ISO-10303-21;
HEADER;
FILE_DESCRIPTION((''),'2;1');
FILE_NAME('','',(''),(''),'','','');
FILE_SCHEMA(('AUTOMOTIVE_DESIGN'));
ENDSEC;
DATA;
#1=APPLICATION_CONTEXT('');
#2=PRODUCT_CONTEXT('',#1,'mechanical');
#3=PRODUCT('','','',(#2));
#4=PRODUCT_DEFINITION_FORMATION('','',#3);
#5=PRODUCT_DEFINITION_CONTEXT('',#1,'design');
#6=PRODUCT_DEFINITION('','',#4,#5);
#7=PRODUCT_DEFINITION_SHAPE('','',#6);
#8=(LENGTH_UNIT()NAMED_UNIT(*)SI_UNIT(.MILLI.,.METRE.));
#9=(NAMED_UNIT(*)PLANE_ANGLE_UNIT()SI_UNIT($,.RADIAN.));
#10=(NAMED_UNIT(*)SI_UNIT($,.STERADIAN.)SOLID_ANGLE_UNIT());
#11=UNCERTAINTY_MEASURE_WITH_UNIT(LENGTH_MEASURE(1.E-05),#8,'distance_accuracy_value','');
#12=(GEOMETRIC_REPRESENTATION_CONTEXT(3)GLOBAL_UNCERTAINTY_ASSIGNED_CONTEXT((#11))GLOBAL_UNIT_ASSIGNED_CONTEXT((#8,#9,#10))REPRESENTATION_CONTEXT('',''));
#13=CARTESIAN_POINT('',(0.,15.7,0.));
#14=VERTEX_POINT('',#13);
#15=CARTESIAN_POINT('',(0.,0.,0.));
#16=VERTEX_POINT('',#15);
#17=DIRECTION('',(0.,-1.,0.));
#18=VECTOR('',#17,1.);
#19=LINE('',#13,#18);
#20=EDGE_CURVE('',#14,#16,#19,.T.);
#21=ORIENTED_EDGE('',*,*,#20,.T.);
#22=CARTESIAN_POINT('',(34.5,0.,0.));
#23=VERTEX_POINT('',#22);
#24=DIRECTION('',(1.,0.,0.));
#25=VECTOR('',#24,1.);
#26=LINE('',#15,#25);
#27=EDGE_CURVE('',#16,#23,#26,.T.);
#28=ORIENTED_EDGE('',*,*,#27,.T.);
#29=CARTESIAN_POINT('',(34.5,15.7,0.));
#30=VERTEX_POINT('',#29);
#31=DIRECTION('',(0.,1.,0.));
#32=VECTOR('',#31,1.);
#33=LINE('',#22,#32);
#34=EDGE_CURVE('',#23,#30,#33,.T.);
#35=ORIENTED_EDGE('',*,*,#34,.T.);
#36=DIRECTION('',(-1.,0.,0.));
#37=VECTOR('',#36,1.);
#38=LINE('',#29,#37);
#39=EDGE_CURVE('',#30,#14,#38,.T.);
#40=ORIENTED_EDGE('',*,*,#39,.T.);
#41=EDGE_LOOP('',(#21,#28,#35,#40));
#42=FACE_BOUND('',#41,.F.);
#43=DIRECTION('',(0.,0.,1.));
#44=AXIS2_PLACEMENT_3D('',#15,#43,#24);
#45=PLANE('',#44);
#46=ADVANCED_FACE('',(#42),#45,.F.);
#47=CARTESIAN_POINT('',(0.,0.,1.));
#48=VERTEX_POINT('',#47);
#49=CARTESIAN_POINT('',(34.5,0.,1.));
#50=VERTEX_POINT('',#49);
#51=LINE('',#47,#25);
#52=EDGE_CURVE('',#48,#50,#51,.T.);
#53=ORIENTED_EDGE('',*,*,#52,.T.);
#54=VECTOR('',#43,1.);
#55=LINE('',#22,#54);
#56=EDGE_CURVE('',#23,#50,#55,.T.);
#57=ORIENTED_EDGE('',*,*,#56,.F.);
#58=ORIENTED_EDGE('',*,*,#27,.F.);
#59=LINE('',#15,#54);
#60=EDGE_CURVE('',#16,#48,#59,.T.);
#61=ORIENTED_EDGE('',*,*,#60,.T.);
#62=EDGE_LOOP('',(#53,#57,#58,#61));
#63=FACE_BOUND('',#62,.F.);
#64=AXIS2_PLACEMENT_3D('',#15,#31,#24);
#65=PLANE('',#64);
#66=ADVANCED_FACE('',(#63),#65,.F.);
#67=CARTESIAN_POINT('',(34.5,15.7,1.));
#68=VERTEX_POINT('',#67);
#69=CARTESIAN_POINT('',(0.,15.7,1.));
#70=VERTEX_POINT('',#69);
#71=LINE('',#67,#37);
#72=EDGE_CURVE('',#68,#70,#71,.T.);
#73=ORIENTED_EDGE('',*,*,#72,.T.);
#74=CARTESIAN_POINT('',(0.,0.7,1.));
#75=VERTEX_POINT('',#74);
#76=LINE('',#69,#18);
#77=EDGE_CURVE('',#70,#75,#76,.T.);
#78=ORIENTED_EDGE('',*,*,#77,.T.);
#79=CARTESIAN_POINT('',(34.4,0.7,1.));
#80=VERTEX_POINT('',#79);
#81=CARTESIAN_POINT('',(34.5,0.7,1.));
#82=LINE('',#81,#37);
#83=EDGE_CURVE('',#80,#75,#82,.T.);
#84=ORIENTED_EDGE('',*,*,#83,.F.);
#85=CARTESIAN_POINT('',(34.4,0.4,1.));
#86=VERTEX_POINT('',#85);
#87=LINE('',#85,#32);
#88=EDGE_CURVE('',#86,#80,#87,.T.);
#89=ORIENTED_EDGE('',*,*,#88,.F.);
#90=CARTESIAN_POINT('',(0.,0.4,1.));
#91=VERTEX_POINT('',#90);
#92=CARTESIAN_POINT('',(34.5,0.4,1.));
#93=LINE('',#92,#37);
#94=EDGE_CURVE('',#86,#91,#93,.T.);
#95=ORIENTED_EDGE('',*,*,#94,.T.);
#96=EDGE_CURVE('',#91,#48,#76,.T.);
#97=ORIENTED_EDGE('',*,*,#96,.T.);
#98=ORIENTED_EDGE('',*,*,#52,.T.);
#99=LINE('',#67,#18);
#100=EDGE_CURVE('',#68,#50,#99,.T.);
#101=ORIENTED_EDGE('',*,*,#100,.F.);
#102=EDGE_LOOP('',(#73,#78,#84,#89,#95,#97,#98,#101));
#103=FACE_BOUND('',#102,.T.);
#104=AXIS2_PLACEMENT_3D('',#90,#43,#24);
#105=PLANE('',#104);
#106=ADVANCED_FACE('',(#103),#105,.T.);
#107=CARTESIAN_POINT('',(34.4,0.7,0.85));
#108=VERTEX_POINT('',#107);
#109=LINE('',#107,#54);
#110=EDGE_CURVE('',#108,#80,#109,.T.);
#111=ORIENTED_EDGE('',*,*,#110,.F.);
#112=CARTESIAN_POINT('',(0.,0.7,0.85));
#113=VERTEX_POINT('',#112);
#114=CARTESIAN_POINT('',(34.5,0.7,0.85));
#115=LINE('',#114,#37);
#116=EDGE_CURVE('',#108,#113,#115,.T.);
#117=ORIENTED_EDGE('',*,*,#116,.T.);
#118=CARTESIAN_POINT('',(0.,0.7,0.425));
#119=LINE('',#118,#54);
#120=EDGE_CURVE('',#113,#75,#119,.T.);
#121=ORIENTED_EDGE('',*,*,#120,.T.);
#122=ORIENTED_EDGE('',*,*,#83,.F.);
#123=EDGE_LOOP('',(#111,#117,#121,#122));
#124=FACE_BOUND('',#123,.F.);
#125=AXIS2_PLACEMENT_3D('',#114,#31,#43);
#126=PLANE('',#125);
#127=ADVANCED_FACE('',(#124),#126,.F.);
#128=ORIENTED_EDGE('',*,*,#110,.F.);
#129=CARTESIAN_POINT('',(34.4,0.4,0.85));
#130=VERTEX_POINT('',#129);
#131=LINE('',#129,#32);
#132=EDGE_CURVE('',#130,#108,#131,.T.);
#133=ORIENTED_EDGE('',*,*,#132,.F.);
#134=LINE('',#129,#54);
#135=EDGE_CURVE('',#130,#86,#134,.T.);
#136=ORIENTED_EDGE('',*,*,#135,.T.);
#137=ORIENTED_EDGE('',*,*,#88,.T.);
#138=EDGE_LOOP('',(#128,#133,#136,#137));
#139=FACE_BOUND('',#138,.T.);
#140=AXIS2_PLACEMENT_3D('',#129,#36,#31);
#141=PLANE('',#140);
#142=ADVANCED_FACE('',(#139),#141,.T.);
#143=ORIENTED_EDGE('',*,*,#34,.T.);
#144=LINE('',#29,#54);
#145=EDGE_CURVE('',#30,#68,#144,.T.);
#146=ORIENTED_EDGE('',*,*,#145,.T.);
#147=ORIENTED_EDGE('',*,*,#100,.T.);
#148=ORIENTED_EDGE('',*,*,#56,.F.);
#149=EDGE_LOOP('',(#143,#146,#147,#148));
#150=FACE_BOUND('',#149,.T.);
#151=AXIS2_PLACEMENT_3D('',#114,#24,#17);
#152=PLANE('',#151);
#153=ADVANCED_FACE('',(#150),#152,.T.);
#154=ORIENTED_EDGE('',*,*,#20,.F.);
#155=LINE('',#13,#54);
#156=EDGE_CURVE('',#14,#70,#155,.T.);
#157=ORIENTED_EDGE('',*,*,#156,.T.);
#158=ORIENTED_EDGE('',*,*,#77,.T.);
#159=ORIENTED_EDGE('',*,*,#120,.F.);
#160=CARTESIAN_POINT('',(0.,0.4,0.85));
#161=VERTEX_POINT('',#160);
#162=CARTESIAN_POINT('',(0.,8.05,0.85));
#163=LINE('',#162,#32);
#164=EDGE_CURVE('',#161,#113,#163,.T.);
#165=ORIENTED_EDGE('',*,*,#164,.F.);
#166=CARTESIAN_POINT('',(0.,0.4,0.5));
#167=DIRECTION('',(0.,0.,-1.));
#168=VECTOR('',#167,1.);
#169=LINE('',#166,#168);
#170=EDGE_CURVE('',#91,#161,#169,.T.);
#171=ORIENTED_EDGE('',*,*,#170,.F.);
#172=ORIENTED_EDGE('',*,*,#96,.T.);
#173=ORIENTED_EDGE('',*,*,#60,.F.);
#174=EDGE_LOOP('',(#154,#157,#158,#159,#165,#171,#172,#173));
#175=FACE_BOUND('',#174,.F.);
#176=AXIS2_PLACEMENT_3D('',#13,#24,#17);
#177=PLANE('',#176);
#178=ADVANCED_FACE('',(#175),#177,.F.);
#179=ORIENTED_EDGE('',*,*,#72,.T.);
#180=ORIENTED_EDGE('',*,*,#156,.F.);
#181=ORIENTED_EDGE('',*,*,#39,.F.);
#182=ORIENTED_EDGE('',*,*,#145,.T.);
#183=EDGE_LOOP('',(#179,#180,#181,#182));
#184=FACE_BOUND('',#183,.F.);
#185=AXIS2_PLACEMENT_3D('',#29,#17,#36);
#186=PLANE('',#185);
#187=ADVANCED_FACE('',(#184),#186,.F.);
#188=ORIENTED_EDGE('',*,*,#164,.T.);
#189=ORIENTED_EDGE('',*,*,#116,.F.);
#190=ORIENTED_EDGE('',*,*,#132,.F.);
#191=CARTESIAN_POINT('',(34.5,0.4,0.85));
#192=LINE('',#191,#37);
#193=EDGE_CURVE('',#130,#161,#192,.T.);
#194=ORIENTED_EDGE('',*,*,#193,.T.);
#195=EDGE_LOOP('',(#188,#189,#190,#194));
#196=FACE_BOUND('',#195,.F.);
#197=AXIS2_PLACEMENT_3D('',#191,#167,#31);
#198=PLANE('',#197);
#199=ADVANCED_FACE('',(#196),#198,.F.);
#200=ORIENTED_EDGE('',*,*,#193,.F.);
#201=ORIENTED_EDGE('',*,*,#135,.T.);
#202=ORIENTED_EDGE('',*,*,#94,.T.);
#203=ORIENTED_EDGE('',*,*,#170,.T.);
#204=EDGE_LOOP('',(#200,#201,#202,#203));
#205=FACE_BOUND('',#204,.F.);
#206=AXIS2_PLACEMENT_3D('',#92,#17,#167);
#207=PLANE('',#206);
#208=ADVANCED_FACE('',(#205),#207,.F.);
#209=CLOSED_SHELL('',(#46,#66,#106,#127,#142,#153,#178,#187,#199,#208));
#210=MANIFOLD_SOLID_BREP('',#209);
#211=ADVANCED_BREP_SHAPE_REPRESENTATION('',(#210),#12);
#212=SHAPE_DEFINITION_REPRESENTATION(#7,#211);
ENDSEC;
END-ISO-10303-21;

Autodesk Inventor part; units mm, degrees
ref_plane "YZ Plane" through (0, 0, 0) normal (1, 0, 0) x (0, 1, 0)
ref_plane "XZ Plane" through (0, 0, 0) normal (0, 1, 0) x (-1, 0, 0)
ref_plane "XY Plane" through (0, 0, 0) normal (0, 0, 1) x (1, 0, 0)
sketch "Sketch1" plane through (0, 0, 0) normal (0, 0, 1) x (1, 0, 0)
  line L0 (0, 0) -> (34.5, 0)
  line L1 (34.5, 0) -> (34.5, 15.7)
  line L2 (34.5, 15.7) -> (0, 15.7)
  line L3 (0, 15.7) -> (0, 0)
  dimension "d0" = 34.5
  dimension "d1" = 15.7
extrude "Extrusion1" add sketch "Sketch1" along normal blind 1
sketch "Sketch3" plane through (34.5, 0, 0) normal (1, 0, 0) x (0, 0, -1)
  line L0 (-1, 15.7) -> (-1, 0) projected
  line L1 (-1, 0.4) -> (-0.85, 0.4)
  line L2 (-0.85, 0.4) -> (-0.85, 0.7)
  line L3 (-0.85, 0.7) -> (-1, 0.7)
  line L4 (-1, 0.7) -> (-1, 0.4)
  line L5 (0, 0) -> (-1, 0) projected
  dimension "d8" = 0.15
  dimension "d9" = 0.3
  dimension "d12" = 0.4
extrude "Extrusion3" cut sketch "Sketch3" against normal through all
sketch "Sketch4" plane through (0, 0.4, 0.85) normal (0, 0, 1) x (1, 0, 0)
  line L0 (0, 0.3) -> (34.5, 0.3) projected
  line L1 (34.5, 0) -> (34.4, 0)
  line L2 (34.4, 0) -> (34.4, 0.3)
  line L3 (34.4, 0.3) -> (34.5, 0.3)
  line L4 (34.5, 0.3) -> (34.5, 0)
  point P0 (0, -0.4)
  dimension "d13" = 0.1
extrude "Extrusion4" add sketch "Sketch4" along normal blind 0.15
properties part number "Zijkant 1"
